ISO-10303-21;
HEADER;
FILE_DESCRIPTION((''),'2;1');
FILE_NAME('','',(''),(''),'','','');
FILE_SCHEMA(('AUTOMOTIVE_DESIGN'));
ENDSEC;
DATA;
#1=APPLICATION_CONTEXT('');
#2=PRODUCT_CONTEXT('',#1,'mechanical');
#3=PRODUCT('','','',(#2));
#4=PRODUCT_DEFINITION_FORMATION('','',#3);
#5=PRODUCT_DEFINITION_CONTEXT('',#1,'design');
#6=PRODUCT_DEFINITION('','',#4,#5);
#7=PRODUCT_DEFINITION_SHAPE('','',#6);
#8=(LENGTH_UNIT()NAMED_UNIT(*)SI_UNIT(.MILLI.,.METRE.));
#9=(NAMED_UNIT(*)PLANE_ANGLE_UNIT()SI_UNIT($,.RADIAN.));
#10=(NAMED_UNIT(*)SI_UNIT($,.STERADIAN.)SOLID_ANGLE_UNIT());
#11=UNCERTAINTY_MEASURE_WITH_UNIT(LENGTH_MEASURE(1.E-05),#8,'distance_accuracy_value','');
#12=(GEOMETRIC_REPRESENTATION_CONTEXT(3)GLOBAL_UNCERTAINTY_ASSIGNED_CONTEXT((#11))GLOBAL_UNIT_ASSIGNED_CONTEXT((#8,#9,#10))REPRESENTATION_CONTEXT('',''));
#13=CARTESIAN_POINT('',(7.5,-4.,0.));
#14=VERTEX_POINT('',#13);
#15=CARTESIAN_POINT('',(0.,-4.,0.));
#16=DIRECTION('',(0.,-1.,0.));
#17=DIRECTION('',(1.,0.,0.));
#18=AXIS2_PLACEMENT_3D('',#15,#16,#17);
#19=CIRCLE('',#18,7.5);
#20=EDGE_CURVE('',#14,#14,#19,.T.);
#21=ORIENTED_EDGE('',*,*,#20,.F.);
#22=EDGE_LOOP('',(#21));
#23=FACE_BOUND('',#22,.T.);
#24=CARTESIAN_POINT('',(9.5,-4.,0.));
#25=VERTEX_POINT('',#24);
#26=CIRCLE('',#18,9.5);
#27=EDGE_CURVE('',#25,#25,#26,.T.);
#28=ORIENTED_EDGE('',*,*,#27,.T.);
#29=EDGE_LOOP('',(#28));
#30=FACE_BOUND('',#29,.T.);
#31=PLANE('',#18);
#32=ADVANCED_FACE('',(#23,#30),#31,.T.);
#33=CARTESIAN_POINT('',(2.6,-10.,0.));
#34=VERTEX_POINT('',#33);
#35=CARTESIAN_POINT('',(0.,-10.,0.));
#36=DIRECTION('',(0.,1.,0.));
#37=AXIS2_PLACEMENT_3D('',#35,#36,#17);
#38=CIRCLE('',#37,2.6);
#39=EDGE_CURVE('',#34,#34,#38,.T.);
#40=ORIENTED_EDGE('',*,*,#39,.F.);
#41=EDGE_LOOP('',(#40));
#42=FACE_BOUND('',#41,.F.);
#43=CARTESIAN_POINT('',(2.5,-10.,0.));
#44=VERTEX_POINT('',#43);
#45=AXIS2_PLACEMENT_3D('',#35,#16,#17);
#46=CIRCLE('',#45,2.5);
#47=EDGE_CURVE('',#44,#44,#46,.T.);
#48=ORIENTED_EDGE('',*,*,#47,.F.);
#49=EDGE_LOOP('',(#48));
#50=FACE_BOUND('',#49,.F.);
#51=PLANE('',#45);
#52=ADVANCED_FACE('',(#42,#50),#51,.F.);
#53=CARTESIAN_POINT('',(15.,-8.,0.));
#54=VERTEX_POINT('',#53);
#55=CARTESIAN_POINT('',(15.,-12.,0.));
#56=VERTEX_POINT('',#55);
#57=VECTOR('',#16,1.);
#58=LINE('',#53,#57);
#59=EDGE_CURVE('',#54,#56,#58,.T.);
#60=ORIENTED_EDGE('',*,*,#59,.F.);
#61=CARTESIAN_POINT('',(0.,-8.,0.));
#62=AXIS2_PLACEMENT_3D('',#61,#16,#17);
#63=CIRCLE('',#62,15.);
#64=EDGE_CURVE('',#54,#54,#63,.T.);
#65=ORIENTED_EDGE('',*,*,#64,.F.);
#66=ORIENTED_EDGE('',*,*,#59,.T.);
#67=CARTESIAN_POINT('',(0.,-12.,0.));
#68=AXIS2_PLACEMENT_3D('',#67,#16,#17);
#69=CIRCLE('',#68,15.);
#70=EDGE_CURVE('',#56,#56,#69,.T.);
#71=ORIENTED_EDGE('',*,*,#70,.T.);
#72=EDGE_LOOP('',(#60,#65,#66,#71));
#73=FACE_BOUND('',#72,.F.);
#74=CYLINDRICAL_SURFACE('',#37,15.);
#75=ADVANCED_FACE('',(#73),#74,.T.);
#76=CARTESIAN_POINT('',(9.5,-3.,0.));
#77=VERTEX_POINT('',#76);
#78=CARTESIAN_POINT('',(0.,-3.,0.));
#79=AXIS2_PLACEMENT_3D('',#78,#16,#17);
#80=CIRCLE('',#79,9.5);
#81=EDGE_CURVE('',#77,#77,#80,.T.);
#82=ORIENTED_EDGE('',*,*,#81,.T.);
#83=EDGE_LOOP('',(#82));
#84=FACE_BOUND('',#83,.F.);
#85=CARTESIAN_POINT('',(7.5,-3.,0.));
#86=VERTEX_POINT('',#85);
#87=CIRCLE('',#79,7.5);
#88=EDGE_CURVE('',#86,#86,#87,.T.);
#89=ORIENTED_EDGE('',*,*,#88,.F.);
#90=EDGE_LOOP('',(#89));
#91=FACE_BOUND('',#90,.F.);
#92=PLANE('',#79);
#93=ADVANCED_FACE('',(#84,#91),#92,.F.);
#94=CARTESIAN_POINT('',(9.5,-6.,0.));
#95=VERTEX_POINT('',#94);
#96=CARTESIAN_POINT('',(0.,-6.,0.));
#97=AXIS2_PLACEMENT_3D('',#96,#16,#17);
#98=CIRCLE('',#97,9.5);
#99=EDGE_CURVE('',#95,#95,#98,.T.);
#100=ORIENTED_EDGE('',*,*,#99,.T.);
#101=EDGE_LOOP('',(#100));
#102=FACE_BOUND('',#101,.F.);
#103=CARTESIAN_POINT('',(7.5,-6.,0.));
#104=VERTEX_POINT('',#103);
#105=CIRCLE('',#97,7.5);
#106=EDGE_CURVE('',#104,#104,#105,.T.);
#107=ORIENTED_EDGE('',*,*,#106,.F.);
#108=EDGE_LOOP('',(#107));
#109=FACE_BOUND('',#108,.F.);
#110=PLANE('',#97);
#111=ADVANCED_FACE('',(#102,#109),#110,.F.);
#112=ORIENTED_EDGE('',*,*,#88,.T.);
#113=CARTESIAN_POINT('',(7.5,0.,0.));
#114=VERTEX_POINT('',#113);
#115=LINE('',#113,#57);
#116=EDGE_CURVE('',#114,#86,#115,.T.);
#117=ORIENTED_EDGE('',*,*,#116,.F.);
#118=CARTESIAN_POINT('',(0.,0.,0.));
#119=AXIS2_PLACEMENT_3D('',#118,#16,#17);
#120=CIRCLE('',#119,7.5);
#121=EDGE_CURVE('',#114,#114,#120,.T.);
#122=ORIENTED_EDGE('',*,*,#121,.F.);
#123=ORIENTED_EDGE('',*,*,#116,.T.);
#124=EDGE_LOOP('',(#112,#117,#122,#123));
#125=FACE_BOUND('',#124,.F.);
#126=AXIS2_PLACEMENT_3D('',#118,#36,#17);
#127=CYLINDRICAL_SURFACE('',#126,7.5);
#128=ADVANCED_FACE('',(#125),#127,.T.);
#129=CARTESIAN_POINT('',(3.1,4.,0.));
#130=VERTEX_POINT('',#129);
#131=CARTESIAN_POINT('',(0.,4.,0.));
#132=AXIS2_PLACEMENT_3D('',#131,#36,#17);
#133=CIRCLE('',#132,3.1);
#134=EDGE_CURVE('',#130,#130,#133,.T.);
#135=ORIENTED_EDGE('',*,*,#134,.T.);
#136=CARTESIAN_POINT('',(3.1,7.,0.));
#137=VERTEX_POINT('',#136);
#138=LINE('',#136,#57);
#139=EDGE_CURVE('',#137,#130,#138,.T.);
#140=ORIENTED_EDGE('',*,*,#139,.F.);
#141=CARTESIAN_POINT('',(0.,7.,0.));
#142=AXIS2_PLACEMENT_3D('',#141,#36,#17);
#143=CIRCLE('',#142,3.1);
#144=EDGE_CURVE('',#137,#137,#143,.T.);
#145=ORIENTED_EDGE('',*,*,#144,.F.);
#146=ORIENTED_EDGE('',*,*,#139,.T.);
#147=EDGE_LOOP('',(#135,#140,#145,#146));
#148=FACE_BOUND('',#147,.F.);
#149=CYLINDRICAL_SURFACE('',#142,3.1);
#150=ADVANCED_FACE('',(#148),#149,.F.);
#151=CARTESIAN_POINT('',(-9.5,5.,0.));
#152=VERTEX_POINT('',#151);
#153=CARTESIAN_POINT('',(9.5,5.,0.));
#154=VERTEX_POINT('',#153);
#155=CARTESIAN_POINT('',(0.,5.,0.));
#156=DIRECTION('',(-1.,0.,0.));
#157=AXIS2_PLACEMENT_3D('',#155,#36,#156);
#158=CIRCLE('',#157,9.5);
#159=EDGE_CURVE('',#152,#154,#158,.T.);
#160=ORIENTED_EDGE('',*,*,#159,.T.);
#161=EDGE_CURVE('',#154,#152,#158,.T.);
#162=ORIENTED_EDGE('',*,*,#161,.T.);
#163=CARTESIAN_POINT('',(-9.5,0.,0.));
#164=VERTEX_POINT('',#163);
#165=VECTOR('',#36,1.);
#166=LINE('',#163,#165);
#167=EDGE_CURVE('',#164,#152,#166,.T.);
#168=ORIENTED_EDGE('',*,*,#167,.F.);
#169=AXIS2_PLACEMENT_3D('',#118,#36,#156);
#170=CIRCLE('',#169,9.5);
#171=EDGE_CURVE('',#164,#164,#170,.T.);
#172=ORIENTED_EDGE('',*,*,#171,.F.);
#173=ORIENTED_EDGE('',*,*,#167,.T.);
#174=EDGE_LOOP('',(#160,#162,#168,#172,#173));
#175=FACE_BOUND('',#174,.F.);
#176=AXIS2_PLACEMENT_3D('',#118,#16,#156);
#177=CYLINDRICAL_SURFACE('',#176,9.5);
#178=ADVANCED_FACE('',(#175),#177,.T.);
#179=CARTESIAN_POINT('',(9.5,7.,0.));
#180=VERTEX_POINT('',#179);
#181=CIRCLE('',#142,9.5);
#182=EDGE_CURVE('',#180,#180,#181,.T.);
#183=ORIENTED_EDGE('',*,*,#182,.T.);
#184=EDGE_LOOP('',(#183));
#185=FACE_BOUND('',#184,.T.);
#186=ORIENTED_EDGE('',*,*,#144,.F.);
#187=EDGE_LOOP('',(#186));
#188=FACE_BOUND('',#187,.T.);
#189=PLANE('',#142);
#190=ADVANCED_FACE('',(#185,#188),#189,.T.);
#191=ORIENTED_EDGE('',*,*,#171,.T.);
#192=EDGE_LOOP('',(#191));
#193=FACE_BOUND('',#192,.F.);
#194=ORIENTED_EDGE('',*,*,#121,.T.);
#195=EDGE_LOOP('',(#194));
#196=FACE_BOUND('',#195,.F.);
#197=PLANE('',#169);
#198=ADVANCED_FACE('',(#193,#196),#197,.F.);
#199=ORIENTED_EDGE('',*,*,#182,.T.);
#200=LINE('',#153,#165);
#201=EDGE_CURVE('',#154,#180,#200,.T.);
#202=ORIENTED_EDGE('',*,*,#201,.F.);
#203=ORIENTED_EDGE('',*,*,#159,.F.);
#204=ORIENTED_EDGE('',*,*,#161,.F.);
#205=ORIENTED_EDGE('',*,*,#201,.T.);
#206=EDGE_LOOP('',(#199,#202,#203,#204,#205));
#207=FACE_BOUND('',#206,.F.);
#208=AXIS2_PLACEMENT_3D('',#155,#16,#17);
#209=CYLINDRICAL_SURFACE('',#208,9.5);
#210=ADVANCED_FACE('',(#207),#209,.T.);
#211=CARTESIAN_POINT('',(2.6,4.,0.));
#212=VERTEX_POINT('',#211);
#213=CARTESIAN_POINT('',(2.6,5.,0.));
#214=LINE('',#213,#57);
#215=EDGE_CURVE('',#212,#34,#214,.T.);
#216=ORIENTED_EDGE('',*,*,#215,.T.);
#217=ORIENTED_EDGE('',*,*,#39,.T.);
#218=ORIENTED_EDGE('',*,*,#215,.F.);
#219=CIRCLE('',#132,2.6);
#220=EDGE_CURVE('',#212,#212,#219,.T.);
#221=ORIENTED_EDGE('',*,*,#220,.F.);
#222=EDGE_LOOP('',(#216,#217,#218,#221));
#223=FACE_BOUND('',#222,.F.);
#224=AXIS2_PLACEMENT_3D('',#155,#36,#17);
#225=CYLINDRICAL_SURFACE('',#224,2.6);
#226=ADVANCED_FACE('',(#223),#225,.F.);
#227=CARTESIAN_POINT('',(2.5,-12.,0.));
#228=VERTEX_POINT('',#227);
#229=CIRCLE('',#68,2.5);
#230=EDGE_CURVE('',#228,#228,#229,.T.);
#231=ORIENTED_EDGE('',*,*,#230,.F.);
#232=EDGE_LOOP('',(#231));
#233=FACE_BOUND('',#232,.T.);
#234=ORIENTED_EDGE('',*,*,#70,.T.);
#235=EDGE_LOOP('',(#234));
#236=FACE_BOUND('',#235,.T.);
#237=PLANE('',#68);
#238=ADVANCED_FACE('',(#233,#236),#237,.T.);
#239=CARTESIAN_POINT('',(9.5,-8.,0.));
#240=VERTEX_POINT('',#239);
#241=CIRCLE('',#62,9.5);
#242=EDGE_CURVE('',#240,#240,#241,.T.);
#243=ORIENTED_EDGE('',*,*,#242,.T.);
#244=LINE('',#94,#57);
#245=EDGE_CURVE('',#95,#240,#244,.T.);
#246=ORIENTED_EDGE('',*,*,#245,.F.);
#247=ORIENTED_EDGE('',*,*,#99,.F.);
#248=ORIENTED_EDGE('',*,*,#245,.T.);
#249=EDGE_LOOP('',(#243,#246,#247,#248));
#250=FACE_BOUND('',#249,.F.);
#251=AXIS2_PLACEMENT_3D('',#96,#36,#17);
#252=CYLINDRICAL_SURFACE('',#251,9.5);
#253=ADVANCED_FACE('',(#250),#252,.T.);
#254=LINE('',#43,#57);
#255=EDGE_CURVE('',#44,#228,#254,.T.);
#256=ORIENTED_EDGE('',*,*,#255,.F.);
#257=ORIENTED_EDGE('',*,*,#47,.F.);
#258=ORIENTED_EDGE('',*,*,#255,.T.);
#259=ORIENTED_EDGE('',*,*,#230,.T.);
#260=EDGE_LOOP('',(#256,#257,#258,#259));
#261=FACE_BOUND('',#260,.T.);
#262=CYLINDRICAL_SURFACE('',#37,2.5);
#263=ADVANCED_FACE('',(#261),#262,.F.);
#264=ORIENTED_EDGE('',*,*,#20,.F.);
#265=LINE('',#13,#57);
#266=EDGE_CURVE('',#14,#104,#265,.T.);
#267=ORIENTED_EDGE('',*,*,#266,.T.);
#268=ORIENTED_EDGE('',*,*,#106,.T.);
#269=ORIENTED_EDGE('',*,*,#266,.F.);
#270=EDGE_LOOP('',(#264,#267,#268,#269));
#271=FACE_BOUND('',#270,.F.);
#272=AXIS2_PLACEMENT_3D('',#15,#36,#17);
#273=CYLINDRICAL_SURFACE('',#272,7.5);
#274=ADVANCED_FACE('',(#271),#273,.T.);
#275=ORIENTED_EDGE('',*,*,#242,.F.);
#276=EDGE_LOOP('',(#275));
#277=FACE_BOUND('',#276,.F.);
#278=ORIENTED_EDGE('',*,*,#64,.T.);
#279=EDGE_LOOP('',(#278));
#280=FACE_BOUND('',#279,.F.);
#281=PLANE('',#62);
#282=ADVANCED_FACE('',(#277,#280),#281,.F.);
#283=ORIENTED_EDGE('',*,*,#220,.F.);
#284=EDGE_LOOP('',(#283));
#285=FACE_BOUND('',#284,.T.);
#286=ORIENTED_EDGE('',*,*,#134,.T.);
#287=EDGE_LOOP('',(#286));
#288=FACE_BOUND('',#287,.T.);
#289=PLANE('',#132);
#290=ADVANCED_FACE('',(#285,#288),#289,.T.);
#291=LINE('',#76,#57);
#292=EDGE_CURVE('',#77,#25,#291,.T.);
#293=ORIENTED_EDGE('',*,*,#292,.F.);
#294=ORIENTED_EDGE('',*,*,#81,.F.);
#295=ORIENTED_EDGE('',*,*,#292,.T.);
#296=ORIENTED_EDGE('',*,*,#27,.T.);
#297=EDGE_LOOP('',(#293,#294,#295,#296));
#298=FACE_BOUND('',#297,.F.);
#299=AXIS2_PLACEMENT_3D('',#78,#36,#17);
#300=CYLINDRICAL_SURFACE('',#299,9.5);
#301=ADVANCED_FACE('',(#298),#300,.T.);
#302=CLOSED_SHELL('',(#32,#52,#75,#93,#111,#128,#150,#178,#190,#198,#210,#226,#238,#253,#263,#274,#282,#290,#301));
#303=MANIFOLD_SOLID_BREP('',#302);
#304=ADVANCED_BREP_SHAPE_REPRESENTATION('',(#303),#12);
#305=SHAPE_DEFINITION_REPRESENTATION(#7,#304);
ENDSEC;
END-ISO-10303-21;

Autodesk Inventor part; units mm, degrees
sketch "Эскиз1" plane through (0, 0, 0) normal (0, 1, 0) x (-1, 0, 0)
  circle A0 centre (0, 0) radius 9.5
  dimension "d0" = 19
extrude "Выдавливание1" add sketch "Эскиз1" along normal blind 5
sketch "Эскиз2" plane through (0, 0, 0) normal (0, -1, 0) x (1, 0, 0)
  circle A0 centre (0, 0) radius 7.5
  dimension "d3" = 15
extrude "Выдавливание2" add sketch "Эскиз2" along normal blind 3
sketch "Эскиз3" plane through (0, -3, 0) normal (0, -1, 0) x (1, 0, 0)
  circle A0 centre (0, 0) radius 9.5
  dimension "d15" = 19
extrude "Выдавливание3" add sketch "Эскиз3" along normal blind 1
sketch "Эскиз4" plane through (0, -4, 0) normal (0, -1, 0) x (1, 0, 0)
  circle A0 centre (0, 0) radius 7.5
  dimension "d17" = 15
extrude "Выдавливание4" add sketch "Эскиз4" along normal blind 2
sketch "Эскиз5" plane through (0, -6, 0) normal (0, -1, 0) x (1, 0, 0)
  circle A0 centre (0, 0) radius 9.5
  dimension "d16" = 19
extrude "Выдавливание5" add sketch "Эскиз5" along normal blind 2
sketch "Эскиз8" plane through (0, -8, 0) normal (0, -1, 0) x (1, 0, 0)
  circle A0 centre (0, 0) radius 15
  dimension "d21" = 30
extrude "Выдавливание8" add sketch "Эскиз8" along normal blind 2
sketch "Эскиз6" plane through (0, 5, 0) normal (0, 1, 0) x (1, 0, 0)
  circle A0 centre (0, 0) radius 2.6
  dimension "d12" = 5.2
extrude "Выдавливание6" cut sketch "Эскиз6" against normal blind 27
sketch "Эскиз10" plane through (0, -10, 0) normal (0, -1, 0) x (1, 0, 0)
  circle A0 centre (0, 0) radius 15 projected
  circle A1 centre (0, 0) radius 15
  circle A2 centre (0, 0) radius 2.5 projected
  circle A3 centre (0, 0) radius 2.5
ref_plane "РабПлоскость1" through (-11.6426, -12, -11.6426) normal (0, -1, 0) x (1, 0, 0)
extrude "Выдавливание10" add sketch "Эскиз10" along normal up to surface (2 mm away)
sketch "Эскиз11" plane through (0, -12, 0) normal (0, -1, 0) x (1, 0, 0)
  circle A0 centre (0, 0) radius 5 projected
  circle A1 centre (0, 0) radius 5
  circle A2 centre (0, 0) radius 2.7
  point P0 (0, 0)
  dimension "d38" = 5.4
ref_plane "РабПлоскость2" through (-5.2921, -22, -5.2921) normal (0, -1, 0) x (1, 0, 0)
sketch "Эскиз13" plane through (0, 5, 0) normal (0, 1, 0) x (1, 0, 0)
  circle A0 centre (0, 0) radius 9.5
ref_plane "РабПлоскость3" through (-15.9179, 7, -15.9179) normal (0, 1, 0) x (0.0632, 0, 0.998)
extrude "Выдавливание14" add sketch "Эскиз13" along normal up to surface (2 mm away)
sketch "Эскиз14" plane through (0, 7, 0) normal (0, 1, 0) x (1, 0, 0)
  circle A0 centre (0, 0) radius 3.1
  dimension "d48" = 6.2
extrude "Выдавливание15" cut sketch "Эскиз14" against normal blind 3
properties part number "диск"
